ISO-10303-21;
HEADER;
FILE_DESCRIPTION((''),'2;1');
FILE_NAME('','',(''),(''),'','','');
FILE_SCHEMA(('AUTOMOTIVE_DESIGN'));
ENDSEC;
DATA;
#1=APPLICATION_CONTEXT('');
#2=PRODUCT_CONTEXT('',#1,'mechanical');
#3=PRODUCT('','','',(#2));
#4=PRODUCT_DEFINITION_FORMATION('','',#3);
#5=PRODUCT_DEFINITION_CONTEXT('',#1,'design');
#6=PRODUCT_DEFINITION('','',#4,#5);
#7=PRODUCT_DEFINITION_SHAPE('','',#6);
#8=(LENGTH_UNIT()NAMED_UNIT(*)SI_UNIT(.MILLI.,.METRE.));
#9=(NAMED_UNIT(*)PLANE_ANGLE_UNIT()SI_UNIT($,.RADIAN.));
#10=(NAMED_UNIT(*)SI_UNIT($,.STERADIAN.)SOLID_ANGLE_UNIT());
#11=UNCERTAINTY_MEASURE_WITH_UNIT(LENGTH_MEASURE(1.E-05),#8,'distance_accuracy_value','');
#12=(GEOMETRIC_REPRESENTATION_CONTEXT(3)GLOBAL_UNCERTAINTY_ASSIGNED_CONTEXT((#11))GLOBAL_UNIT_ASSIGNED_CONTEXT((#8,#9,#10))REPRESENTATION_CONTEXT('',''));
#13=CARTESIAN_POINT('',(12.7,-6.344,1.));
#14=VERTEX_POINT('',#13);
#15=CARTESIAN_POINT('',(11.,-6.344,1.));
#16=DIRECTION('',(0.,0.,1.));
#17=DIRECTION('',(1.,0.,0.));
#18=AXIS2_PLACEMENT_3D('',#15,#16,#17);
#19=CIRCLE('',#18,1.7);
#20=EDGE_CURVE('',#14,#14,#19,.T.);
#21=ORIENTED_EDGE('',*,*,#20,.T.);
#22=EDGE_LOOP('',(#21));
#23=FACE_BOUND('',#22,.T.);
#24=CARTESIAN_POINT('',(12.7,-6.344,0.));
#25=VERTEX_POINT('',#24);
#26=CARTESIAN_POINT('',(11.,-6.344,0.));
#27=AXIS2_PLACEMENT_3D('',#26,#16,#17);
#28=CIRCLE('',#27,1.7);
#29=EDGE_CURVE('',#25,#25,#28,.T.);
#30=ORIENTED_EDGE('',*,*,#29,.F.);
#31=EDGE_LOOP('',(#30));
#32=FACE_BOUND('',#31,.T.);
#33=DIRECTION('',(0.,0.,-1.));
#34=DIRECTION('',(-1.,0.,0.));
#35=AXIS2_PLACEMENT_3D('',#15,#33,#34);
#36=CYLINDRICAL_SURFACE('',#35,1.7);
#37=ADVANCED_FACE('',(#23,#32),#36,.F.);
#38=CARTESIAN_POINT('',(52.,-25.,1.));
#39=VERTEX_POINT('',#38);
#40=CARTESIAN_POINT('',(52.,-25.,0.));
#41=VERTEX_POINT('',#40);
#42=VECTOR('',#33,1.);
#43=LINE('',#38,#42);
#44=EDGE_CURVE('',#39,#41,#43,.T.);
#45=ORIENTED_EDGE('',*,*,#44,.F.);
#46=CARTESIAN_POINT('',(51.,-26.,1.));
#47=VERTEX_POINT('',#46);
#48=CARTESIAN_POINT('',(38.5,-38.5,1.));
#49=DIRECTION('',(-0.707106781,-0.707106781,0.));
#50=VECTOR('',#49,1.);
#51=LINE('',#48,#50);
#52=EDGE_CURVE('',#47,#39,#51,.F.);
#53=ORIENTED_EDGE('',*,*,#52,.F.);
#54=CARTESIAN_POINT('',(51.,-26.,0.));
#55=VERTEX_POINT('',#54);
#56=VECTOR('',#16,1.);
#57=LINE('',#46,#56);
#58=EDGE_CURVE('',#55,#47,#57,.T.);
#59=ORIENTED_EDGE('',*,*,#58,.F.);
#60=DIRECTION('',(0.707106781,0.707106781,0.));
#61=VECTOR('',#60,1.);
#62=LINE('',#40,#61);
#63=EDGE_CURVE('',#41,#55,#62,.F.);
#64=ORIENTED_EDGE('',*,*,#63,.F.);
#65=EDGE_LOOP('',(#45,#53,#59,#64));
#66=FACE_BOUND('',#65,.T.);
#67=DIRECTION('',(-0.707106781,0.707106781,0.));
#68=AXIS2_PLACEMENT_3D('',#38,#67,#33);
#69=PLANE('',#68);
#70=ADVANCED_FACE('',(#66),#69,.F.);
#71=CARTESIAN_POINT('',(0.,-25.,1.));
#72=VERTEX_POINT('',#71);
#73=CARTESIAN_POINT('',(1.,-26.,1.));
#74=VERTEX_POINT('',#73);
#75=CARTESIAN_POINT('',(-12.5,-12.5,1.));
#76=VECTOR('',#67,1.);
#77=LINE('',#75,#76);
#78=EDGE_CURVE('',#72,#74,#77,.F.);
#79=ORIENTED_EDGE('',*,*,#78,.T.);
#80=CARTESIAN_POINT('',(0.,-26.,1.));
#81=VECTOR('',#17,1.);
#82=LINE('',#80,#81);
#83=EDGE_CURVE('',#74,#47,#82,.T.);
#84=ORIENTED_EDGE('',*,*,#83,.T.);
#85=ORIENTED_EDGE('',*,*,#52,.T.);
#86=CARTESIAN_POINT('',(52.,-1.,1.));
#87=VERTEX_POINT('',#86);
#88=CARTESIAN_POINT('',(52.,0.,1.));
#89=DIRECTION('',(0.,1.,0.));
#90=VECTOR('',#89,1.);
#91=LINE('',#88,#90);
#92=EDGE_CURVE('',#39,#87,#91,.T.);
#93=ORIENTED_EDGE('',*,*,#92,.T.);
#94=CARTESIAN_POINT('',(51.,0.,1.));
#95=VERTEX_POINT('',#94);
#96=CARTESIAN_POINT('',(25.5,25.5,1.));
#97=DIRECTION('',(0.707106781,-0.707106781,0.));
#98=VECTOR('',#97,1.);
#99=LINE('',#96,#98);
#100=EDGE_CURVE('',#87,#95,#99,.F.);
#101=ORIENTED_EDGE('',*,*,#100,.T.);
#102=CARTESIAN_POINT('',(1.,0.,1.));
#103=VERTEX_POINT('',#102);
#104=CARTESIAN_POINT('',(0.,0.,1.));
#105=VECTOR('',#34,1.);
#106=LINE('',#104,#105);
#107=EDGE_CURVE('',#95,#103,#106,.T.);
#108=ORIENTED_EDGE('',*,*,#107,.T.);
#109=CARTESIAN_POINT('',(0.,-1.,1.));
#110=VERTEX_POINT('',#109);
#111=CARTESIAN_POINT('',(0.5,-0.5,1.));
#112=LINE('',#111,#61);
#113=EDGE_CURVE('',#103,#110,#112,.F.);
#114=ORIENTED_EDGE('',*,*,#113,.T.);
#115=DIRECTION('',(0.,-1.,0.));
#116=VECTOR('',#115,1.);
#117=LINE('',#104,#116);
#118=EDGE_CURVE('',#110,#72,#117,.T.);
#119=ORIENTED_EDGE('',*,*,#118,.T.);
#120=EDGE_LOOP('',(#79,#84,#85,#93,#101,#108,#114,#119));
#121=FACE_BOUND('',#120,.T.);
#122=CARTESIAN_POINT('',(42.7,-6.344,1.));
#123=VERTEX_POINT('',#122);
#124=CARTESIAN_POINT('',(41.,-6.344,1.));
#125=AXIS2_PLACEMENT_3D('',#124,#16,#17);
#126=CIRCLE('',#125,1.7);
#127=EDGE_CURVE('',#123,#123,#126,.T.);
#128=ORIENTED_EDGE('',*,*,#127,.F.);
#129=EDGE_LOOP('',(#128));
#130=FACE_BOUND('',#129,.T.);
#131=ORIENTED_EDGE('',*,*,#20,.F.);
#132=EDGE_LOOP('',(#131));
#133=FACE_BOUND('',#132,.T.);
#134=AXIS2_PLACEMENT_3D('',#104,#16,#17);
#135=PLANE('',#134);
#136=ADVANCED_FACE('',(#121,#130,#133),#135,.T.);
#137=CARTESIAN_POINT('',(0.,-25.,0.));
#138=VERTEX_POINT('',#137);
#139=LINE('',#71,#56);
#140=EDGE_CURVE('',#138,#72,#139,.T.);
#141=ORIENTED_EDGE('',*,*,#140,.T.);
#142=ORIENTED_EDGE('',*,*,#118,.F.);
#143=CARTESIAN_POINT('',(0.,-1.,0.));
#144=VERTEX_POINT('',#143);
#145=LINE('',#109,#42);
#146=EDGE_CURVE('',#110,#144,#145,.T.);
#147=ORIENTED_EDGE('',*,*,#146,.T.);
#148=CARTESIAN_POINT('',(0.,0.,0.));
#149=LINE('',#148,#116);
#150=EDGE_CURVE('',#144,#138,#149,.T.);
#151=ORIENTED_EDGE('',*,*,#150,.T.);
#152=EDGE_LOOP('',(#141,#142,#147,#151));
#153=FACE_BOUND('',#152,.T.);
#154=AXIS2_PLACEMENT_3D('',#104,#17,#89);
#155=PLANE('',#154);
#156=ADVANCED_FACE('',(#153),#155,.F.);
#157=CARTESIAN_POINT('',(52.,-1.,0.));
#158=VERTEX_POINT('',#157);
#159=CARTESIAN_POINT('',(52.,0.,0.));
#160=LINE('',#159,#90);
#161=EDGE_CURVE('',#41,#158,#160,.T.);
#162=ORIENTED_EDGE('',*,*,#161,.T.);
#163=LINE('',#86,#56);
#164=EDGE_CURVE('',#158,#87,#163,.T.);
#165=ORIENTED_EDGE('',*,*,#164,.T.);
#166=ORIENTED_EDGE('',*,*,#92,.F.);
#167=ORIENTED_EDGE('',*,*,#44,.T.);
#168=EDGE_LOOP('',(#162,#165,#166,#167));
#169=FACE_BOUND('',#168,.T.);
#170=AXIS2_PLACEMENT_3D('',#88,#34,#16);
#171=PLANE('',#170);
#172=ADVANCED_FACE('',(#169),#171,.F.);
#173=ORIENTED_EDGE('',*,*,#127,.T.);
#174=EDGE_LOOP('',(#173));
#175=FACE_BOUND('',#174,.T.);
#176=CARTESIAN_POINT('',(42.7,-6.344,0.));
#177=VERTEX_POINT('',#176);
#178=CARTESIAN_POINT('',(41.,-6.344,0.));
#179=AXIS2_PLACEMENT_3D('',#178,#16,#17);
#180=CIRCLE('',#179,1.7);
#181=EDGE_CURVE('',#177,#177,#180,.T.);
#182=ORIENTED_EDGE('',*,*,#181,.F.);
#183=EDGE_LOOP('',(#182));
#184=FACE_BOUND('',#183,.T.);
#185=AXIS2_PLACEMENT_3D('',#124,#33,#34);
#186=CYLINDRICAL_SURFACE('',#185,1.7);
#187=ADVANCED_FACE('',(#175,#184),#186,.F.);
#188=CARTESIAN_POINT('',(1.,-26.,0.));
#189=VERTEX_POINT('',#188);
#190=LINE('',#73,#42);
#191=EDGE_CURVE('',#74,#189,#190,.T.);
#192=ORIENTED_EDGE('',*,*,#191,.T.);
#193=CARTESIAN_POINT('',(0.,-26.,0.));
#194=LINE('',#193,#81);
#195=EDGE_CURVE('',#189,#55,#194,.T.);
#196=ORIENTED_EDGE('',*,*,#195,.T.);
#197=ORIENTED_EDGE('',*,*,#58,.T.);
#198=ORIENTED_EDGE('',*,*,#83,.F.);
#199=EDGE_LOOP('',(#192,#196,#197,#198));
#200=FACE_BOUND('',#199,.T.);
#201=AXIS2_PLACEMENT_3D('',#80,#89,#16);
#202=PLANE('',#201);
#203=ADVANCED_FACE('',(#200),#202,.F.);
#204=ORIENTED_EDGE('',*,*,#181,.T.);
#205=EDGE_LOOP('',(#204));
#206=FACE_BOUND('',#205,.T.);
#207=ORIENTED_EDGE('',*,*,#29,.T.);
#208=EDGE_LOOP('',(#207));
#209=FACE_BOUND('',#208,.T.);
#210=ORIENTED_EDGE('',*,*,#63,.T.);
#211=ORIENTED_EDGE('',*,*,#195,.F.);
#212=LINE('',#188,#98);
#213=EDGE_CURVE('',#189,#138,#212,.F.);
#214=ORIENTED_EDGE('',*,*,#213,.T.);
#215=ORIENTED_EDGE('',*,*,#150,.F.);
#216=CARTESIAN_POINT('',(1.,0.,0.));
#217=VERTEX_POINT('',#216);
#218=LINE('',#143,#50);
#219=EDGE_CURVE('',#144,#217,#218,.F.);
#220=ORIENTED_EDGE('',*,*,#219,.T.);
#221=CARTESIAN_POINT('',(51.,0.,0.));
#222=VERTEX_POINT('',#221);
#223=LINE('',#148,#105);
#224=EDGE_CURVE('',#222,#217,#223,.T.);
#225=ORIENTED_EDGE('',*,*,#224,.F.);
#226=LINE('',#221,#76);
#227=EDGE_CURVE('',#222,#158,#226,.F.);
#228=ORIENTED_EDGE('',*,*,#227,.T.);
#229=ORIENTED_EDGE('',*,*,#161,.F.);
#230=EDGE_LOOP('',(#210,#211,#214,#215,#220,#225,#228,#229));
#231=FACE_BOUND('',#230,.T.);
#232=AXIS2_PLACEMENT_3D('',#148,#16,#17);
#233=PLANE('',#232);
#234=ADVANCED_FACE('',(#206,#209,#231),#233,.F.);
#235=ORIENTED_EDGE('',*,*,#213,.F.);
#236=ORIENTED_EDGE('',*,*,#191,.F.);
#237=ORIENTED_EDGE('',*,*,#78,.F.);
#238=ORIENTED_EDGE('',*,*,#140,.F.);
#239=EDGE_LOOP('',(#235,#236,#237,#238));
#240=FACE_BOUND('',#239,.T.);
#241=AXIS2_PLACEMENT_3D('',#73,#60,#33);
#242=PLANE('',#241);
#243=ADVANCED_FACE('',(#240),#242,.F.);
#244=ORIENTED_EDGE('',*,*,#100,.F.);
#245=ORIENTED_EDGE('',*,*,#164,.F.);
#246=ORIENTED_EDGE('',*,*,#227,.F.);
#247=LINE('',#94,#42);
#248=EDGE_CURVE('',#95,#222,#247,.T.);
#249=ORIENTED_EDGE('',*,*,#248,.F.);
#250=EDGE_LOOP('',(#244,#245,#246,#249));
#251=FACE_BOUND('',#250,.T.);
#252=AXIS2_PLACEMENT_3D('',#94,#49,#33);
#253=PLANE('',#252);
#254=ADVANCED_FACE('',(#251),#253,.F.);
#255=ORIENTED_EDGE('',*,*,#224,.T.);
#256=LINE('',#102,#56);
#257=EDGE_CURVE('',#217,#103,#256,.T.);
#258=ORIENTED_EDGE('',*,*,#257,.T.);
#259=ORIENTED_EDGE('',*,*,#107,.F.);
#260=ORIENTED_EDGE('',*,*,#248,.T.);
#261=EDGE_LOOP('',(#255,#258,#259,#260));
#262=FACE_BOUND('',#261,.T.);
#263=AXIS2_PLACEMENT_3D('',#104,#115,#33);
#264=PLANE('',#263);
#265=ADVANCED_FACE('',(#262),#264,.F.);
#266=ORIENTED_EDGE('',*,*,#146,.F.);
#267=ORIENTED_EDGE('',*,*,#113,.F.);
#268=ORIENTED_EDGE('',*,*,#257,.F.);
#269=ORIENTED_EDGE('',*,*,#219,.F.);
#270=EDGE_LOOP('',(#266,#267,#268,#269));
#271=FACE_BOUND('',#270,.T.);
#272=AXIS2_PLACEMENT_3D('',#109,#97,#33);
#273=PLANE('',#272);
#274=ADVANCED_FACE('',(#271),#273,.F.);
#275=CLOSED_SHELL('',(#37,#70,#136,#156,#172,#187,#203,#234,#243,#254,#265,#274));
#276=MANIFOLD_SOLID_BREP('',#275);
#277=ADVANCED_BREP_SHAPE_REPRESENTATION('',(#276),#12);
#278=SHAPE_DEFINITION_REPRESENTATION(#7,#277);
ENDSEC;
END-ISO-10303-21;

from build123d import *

# Parameters (mm, degrees)
SKETCH1_W           = 52
SKETCH1_H           = 26
SKETCH1_R           = 1.7
BOSS_EXTRUDE1_DEPTH = 1
CHAMFER1_SIZE       = 1


with BuildPart() as part:
    # Sketch1 → Boss-Extrude1 (new body)
    with BuildSketch(Plane.XY):
        with Locations((26, -13)):
            Rectangle(SKETCH1_W, SKETCH1_H)
        with Locations((11, -6.344)):
            Circle(SKETCH1_R, mode=Mode.SUBTRACT)
        with Locations((41, -6.344)):
            Circle(SKETCH1_R, mode=Mode.SUBTRACT)
    extrude(amount=BOSS_EXTRUDE1_DEPTH)

    # Chamfer1
    chamfer1_edges = [part.edges().sort_by_distance(p)[0] for p in [
        (0, 0, 0.5),
        (52, 0, 0.5),
        (52, -26, 0.5),
        (0, -26, 0.5),
    ]]
    chamfer(chamfer1_edges, length=CHAMFER1_SIZE)


solid = part.part
